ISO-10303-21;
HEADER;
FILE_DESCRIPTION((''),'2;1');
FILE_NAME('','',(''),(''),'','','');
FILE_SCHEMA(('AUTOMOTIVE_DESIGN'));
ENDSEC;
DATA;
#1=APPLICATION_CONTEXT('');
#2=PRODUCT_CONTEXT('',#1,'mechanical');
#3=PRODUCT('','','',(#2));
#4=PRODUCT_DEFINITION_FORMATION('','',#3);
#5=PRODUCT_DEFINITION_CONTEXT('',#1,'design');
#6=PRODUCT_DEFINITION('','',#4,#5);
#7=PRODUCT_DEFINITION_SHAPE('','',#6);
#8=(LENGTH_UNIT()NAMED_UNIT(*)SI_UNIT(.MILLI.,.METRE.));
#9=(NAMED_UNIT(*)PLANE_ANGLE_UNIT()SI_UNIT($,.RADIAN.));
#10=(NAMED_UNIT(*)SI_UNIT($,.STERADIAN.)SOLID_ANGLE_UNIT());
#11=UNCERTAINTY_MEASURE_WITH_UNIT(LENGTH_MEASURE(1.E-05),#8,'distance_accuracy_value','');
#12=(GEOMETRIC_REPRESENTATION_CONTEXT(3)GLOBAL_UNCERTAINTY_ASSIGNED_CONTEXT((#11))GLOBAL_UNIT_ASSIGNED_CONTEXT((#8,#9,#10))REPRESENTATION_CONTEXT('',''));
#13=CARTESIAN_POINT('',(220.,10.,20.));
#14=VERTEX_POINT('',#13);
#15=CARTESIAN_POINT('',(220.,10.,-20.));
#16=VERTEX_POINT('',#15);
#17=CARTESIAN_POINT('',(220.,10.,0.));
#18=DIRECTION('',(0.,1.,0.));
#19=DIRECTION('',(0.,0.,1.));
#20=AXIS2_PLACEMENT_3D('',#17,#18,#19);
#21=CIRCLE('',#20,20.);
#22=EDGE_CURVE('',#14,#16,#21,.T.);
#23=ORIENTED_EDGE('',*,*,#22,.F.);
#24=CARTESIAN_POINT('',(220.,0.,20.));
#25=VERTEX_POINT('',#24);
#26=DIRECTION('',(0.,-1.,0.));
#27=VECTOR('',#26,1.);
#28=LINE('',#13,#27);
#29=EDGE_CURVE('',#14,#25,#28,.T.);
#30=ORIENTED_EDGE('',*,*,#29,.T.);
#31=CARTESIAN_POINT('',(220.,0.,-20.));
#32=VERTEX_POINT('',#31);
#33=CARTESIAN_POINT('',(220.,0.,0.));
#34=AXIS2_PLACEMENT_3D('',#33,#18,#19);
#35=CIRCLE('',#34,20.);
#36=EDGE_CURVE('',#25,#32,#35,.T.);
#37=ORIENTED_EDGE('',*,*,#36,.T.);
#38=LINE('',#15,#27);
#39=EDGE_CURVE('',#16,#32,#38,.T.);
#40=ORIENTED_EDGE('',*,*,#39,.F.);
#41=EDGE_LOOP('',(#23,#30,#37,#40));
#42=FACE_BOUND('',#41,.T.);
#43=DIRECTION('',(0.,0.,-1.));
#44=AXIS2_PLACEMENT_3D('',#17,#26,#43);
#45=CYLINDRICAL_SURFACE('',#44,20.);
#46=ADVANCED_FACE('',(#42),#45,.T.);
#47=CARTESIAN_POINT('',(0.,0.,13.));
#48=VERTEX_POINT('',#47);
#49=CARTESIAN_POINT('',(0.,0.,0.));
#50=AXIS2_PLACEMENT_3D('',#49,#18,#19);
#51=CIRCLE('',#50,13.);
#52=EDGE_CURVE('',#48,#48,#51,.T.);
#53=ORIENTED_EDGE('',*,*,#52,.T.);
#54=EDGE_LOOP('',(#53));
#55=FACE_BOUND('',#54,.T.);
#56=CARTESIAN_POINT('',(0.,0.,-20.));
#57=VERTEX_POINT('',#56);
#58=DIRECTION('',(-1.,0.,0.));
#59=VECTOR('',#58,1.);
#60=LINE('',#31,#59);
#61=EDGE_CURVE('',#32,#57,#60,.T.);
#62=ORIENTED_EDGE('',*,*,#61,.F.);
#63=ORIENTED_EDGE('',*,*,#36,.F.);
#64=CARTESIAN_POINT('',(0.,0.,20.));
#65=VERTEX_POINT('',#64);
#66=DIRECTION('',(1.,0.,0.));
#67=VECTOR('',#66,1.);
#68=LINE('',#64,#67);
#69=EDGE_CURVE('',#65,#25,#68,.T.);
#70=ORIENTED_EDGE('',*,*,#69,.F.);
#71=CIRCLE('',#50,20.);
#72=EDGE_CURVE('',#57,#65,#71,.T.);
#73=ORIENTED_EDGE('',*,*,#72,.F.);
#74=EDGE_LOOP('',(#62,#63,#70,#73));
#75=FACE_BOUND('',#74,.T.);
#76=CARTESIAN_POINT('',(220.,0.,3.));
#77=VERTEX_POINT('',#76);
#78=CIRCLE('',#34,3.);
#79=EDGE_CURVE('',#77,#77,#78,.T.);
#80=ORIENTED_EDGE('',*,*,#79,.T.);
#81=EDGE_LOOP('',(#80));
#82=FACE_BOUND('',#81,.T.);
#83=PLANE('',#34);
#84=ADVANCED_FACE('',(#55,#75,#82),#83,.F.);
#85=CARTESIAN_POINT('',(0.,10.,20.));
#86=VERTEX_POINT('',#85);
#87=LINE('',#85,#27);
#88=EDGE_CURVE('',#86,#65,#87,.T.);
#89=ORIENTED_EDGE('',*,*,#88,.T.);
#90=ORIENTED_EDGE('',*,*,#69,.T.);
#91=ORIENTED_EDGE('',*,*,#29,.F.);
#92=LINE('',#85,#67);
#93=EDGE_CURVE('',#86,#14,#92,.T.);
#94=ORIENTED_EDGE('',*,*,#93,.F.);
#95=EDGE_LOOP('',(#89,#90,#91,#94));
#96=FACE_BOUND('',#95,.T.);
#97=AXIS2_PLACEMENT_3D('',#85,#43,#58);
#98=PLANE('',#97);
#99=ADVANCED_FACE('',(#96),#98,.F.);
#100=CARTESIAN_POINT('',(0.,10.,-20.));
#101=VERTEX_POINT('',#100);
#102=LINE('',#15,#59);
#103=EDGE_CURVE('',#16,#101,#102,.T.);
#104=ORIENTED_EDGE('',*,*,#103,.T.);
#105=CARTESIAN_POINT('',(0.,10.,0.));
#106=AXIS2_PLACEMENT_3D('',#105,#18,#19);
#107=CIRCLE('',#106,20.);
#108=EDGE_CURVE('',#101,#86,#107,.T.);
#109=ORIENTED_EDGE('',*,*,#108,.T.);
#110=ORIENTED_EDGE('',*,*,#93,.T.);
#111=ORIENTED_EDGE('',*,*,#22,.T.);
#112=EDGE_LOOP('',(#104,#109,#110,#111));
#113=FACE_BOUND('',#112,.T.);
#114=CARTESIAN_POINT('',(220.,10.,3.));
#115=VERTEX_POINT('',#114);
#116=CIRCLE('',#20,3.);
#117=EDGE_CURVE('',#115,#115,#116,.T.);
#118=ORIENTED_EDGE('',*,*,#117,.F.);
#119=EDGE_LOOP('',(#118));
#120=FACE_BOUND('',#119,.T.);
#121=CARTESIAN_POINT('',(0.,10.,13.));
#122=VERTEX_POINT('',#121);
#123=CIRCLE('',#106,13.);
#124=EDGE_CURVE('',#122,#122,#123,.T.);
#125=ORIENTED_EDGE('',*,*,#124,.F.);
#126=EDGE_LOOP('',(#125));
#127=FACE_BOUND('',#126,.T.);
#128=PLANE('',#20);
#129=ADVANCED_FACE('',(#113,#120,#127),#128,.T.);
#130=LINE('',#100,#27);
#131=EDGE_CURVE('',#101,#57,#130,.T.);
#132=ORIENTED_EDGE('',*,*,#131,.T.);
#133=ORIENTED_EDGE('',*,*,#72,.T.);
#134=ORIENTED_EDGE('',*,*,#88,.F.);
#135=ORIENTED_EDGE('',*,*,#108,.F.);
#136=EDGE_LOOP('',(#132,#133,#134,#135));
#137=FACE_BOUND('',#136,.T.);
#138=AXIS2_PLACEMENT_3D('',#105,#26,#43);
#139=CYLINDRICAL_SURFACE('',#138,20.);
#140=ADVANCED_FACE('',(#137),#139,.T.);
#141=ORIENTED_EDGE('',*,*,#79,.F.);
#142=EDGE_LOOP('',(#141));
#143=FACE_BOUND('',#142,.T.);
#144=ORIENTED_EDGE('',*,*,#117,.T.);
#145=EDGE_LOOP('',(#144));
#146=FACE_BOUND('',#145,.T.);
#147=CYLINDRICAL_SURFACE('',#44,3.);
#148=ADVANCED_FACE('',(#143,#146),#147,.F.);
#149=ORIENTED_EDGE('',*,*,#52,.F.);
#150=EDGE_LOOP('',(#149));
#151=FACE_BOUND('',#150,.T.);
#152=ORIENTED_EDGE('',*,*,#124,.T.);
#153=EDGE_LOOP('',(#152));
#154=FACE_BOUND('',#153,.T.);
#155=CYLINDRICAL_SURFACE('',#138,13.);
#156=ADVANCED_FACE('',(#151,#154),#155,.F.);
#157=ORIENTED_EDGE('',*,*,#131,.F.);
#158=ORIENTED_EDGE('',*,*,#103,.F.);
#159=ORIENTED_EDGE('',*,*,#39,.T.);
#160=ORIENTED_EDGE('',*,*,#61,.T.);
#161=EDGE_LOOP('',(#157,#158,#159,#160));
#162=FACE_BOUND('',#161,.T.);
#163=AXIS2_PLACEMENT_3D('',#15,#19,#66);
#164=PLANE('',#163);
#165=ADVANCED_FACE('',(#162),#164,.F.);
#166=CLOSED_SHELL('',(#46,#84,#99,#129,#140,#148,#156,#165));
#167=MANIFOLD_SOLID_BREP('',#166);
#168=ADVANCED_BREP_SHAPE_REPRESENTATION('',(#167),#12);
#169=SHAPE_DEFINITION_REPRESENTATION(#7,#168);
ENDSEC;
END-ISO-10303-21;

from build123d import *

# Parameters (mm, degrees)
SKETCH1_R           = 13
SKETCH1_R_2         = 3
BOSS_EXTRUDE1_DEPTH = 10


with BuildPart() as part:
    # Sketch1 → Boss-Extrude1 (new body)
    with BuildSketch(Plane(origin=(0, 0, 0), x_dir=(1, 0, 0), z_dir=(0, 1, 0))):
        with BuildLine():
            Line((220, 20), (0, 20))
            ThreePointArc((0, 20), (-20, 0), (0, -20))
            Line((0, -20), (220, -20))
            ThreePointArc((220, -20), (240, 0), (220, 20))
        make_face()
        Circle(SKETCH1_R, mode=Mode.SUBTRACT)
        with Locations((220, 0)):
            Circle(SKETCH1_R_2, mode=Mode.SUBTRACT)
    extrude(amount=BOSS_EXTRUDE1_DEPTH)


solid = part.part
